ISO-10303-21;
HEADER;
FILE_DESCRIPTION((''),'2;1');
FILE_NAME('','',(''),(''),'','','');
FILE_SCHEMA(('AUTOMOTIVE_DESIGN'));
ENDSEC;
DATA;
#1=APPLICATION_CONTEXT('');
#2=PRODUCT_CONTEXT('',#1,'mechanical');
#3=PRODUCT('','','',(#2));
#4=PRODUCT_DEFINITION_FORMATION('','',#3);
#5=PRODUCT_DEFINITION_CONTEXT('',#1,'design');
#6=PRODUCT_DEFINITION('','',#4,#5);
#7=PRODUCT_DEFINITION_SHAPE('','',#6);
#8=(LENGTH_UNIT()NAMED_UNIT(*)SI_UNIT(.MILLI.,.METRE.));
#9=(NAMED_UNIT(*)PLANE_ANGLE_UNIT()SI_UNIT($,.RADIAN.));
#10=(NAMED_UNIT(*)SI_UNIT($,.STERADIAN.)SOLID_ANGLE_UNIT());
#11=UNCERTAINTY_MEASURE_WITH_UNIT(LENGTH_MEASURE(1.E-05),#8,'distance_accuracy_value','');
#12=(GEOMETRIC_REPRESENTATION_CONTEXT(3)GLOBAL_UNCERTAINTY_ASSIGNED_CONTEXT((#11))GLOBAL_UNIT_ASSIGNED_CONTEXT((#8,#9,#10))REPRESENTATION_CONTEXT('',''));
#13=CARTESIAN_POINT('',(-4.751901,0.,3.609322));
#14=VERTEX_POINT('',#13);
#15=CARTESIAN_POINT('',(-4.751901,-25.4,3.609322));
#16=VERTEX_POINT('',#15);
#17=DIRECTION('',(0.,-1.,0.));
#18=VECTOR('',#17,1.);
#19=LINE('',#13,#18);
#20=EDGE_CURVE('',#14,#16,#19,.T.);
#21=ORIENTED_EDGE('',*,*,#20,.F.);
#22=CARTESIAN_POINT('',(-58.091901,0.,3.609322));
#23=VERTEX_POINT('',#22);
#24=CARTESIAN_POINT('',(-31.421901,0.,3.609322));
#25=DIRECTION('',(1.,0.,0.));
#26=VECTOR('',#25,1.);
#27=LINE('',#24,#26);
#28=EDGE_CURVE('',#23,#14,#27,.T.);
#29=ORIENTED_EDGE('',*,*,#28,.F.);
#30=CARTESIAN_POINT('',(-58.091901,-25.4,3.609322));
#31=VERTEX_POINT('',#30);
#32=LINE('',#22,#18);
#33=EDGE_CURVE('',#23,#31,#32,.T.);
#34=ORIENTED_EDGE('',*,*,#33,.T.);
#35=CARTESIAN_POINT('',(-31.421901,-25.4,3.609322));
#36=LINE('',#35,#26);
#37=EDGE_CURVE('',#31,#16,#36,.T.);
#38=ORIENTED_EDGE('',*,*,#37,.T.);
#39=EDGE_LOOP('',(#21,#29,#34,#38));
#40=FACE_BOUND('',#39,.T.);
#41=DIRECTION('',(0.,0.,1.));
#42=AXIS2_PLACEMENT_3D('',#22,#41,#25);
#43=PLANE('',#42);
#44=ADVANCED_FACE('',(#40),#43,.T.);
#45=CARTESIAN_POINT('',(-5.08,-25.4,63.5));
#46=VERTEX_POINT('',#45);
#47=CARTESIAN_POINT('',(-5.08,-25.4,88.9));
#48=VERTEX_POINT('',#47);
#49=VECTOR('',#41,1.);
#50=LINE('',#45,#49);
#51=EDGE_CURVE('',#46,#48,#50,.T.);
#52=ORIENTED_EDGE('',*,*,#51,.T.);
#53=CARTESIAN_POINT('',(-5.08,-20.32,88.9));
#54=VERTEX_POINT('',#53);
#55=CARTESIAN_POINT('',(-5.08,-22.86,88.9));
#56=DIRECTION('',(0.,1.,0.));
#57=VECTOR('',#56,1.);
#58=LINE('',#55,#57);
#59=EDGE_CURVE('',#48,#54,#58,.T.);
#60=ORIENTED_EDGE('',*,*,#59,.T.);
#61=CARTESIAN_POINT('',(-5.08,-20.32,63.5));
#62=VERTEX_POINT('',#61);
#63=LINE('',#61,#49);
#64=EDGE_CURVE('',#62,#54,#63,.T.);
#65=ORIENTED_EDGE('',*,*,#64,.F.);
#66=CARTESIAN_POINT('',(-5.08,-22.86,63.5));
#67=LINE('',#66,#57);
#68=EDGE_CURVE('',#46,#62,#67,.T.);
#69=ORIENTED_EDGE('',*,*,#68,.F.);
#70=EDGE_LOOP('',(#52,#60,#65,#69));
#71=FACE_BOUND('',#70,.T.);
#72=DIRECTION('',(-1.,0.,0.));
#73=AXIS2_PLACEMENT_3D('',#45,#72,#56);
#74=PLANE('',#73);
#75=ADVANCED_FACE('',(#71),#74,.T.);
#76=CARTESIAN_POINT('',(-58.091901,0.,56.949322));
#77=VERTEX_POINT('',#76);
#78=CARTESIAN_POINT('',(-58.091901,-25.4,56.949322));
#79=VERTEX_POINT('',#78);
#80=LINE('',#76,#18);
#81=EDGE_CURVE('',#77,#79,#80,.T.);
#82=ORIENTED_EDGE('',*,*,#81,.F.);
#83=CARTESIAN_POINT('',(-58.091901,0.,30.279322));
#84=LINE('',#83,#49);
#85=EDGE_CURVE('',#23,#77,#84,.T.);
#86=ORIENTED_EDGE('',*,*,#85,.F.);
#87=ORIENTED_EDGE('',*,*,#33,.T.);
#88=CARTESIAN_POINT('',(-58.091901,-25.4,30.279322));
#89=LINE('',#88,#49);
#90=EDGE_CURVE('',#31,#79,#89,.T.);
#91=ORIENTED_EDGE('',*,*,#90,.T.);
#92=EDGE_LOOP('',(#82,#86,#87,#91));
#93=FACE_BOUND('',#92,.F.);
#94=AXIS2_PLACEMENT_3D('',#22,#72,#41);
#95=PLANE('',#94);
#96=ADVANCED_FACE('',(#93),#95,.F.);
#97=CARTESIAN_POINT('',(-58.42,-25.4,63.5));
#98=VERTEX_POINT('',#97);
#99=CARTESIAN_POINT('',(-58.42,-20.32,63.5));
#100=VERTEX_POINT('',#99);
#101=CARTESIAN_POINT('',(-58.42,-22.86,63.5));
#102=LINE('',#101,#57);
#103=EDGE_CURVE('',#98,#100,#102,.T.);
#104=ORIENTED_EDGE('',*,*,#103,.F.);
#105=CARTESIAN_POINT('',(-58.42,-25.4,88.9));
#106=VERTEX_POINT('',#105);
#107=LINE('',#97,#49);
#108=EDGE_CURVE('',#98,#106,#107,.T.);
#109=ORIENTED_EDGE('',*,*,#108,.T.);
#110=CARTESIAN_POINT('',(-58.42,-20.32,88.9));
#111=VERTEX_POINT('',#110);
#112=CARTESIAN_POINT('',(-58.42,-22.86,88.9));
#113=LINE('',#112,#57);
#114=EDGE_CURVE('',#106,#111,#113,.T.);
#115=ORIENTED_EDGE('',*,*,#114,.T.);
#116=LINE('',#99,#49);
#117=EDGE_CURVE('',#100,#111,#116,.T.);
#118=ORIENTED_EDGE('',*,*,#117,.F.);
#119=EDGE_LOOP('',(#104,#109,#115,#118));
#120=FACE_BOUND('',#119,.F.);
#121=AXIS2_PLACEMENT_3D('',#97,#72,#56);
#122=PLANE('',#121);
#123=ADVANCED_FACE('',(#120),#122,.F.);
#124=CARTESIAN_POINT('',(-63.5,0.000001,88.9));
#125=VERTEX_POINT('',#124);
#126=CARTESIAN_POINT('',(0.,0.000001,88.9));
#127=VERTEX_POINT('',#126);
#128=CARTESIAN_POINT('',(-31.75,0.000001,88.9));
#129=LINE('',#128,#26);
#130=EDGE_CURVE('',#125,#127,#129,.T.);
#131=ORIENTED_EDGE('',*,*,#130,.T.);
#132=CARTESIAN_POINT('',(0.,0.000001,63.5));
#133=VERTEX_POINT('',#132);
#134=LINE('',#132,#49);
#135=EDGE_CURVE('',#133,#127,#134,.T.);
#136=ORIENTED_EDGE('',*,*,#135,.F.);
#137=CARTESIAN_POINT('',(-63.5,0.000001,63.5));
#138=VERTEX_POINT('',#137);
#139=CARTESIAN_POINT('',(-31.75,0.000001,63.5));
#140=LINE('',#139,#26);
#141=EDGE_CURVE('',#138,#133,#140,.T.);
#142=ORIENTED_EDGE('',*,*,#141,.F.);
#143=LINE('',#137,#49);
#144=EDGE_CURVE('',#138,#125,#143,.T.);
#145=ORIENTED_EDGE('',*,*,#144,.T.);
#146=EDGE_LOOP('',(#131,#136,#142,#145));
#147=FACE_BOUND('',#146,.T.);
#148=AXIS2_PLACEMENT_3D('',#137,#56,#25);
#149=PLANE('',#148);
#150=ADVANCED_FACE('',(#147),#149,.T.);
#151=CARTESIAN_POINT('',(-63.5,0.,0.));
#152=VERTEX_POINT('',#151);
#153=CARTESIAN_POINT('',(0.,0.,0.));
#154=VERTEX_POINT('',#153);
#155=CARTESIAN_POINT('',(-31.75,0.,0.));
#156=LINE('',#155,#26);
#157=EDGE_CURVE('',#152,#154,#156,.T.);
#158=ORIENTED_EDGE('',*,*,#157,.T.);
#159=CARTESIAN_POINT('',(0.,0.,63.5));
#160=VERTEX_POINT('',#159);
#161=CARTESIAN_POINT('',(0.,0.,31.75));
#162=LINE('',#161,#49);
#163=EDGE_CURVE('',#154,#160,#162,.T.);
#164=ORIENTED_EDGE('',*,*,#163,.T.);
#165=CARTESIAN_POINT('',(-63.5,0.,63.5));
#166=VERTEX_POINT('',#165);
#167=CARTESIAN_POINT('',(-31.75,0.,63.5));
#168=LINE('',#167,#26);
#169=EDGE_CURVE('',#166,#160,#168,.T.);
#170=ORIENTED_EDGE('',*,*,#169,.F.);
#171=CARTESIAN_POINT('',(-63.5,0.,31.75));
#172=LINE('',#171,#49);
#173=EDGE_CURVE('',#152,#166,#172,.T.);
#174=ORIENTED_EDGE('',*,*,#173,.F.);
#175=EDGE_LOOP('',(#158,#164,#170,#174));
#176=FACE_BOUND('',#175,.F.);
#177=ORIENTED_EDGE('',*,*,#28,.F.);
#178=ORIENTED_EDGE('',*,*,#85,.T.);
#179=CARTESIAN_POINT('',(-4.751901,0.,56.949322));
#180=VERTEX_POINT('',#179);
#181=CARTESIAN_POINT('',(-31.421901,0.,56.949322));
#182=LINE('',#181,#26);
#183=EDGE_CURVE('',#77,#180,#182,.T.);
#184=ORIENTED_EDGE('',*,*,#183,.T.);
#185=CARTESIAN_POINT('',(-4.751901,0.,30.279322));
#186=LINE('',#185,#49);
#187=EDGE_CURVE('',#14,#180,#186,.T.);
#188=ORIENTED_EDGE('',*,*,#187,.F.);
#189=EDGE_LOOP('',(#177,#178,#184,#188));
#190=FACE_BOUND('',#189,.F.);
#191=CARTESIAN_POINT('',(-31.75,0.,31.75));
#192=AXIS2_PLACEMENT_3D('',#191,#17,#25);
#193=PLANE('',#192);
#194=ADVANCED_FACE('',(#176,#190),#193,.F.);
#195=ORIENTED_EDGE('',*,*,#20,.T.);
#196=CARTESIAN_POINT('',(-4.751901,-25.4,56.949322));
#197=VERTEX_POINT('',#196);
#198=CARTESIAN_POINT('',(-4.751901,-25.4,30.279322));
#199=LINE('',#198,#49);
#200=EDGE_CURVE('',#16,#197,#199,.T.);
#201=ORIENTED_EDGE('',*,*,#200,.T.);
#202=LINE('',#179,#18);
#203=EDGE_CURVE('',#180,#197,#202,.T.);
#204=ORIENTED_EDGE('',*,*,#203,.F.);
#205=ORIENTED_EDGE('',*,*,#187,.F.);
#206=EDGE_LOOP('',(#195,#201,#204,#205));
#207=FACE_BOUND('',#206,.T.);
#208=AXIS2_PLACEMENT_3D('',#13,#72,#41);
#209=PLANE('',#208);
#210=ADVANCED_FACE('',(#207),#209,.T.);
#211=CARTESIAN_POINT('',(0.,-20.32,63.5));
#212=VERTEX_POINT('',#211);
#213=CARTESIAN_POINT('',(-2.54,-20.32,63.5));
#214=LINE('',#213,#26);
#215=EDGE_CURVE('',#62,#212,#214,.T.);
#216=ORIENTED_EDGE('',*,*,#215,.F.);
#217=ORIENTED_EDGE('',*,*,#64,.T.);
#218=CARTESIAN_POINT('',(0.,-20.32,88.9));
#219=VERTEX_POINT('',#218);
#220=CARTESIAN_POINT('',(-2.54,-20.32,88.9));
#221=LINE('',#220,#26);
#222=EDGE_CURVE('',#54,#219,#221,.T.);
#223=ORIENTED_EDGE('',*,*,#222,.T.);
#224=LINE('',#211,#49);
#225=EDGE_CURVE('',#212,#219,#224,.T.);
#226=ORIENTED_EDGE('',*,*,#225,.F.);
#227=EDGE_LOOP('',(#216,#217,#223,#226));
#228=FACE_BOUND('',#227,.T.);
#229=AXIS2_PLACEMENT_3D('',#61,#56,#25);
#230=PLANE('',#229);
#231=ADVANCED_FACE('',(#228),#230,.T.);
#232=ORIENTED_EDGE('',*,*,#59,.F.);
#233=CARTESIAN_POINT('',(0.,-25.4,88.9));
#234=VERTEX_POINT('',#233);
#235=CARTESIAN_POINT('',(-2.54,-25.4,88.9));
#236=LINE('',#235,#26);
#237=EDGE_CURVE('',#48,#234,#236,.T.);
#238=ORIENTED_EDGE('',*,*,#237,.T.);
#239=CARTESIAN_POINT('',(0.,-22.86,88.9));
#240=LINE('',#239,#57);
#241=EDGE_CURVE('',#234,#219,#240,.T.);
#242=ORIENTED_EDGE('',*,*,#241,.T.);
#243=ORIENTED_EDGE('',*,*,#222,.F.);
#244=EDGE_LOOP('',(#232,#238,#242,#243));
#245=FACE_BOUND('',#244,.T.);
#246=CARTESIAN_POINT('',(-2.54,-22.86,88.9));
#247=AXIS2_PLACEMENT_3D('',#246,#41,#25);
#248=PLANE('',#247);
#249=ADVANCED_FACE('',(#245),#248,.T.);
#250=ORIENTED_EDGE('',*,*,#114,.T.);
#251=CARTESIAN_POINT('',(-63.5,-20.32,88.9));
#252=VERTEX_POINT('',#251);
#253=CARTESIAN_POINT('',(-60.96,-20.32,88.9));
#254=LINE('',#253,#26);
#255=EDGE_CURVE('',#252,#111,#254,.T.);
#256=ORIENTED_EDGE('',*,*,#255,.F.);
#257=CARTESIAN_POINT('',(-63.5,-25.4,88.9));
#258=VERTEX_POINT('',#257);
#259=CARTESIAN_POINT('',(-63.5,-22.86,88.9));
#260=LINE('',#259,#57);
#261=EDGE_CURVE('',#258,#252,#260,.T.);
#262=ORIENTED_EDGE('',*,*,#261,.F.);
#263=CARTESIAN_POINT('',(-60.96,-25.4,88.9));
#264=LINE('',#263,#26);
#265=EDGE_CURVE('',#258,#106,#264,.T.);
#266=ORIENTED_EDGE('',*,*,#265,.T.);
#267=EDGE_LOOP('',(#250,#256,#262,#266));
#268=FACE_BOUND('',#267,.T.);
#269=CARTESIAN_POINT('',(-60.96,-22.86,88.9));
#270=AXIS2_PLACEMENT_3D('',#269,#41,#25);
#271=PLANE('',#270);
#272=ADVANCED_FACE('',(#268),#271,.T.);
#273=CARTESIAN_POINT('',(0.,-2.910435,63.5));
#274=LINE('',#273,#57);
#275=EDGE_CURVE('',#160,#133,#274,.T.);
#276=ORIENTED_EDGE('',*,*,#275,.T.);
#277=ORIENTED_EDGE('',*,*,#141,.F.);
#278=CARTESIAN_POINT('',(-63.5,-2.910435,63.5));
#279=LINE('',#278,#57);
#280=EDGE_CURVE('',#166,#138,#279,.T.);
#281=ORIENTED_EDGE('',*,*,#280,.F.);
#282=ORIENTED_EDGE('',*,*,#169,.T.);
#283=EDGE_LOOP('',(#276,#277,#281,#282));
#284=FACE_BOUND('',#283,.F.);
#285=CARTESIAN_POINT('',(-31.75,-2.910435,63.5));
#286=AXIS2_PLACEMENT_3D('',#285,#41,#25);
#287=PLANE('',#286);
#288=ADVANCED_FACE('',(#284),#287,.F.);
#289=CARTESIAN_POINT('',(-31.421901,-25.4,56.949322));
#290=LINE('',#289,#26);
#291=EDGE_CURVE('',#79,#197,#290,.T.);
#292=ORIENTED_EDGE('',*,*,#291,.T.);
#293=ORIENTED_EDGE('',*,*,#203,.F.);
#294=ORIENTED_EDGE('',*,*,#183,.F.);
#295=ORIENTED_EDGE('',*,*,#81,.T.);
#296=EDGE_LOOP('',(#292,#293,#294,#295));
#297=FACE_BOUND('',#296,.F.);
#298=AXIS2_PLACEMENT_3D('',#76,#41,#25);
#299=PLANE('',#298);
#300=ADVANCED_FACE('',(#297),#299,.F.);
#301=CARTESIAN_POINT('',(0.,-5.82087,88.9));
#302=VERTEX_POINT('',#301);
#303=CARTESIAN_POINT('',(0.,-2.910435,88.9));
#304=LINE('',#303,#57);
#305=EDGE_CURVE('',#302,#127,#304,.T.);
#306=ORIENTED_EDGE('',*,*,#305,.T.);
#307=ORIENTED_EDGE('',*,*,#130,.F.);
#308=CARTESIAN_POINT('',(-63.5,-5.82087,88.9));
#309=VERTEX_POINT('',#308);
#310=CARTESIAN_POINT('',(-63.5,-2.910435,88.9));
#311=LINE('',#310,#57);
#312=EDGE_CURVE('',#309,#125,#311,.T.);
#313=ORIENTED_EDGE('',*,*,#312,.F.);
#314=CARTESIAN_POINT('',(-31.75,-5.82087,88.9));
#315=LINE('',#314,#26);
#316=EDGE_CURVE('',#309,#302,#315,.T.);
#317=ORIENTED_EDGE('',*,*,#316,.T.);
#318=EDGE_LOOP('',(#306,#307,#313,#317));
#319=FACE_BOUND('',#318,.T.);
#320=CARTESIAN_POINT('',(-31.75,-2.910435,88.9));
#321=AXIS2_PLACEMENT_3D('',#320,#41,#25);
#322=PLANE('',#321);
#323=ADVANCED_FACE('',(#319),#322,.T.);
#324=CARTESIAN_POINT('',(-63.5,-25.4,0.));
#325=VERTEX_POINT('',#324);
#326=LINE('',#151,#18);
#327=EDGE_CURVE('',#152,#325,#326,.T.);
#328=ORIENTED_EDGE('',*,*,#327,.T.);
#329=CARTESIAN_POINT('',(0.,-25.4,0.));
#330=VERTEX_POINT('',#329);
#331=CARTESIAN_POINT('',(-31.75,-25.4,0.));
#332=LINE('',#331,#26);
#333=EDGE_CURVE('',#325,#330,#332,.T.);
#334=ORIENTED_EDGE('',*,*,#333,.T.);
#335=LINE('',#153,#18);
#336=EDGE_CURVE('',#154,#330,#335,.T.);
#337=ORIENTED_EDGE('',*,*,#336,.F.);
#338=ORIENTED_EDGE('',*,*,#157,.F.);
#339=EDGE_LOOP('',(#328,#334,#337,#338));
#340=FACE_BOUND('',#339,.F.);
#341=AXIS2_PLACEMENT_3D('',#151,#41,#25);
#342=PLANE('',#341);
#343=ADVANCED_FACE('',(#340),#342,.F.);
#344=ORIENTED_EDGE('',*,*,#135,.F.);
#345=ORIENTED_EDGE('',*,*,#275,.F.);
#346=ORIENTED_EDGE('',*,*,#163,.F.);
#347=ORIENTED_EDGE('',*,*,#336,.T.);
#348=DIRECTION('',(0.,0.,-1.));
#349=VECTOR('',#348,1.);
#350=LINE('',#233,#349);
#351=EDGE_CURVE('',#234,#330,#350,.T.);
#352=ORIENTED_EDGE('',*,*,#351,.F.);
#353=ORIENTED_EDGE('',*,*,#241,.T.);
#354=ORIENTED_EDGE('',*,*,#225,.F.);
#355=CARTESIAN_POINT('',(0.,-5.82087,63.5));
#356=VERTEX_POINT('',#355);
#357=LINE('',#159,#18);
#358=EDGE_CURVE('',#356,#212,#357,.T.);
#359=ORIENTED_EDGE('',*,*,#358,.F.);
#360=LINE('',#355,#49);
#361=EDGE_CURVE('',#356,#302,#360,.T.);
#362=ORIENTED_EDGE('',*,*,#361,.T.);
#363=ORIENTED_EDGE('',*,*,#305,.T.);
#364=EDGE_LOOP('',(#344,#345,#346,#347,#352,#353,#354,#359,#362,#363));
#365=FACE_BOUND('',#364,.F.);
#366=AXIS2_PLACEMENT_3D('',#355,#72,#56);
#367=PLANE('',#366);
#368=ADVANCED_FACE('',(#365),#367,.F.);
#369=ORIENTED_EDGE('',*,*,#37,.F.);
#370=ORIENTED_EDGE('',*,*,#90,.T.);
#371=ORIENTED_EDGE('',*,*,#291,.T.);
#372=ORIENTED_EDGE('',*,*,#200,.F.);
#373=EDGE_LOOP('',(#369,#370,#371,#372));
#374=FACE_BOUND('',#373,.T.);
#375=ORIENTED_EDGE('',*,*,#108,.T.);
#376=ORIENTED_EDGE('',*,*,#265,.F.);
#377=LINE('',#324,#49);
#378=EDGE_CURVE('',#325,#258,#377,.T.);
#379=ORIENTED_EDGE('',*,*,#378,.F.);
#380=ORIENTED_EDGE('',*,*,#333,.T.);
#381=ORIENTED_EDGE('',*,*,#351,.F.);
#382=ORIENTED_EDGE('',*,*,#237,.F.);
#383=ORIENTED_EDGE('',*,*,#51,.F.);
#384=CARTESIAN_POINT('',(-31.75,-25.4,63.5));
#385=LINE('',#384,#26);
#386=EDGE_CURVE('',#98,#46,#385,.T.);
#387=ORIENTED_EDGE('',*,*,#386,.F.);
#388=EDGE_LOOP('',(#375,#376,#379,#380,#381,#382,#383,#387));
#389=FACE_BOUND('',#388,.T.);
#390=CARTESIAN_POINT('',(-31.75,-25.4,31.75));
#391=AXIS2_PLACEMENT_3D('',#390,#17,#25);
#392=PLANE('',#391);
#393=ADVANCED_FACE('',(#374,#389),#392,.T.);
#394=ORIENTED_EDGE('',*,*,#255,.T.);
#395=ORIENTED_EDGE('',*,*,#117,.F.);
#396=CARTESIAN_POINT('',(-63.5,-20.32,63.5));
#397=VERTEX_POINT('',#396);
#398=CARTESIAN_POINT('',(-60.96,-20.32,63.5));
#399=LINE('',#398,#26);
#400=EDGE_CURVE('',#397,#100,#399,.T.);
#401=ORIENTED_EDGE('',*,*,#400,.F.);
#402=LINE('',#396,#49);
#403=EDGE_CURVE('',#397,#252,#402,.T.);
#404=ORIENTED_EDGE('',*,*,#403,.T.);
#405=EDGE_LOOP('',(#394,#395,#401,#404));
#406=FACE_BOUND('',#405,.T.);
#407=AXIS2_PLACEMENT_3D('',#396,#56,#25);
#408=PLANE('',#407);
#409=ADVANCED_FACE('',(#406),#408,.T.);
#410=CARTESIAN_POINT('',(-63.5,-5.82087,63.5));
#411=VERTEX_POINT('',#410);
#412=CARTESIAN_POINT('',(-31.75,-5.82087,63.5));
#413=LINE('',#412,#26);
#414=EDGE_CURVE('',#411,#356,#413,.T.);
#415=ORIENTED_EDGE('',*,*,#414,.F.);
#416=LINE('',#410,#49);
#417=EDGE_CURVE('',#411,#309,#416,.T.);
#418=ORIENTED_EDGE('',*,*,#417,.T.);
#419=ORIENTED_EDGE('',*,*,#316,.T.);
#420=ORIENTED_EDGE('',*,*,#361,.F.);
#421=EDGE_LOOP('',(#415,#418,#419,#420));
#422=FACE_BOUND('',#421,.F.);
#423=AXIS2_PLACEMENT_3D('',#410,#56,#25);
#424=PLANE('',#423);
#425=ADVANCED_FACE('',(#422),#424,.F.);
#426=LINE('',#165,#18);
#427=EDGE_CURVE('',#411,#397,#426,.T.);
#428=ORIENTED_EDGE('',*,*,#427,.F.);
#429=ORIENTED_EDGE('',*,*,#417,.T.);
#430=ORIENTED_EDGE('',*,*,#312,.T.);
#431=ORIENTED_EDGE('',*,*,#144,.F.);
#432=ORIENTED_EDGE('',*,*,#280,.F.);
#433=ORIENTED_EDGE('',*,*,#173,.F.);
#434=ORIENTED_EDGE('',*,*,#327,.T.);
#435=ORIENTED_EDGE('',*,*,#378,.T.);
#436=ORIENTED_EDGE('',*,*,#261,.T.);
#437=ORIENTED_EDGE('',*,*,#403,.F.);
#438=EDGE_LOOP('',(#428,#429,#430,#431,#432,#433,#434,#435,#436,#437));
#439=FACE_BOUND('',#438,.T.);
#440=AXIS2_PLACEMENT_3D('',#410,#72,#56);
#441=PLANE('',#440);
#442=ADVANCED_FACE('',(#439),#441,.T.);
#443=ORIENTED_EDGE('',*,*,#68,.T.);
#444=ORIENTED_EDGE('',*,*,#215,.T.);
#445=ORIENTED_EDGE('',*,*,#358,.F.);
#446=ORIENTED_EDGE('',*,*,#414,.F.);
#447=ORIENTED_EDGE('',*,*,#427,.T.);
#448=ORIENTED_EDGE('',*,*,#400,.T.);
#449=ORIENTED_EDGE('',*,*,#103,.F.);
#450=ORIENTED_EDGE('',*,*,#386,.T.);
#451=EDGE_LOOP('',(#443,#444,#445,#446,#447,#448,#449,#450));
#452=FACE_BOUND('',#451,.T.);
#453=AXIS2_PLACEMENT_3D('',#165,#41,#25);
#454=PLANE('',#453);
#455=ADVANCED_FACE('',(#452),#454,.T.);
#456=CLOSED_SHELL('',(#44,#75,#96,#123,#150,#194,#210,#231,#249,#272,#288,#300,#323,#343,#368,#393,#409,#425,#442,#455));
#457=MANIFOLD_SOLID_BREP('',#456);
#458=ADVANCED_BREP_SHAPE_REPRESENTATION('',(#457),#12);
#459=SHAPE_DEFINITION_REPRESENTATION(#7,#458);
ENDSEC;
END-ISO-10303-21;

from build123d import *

# Parameters (mm, degrees)
F1_W     = 63.5
F1_H     = 63.5
F1_W_2   = 53.34
F1_H_2   = 53.34
F2_DEPTH = 25.4
F3_W     = 63.5
F3_H     = 5.820871
F3_W_2   = 5.08
F3_H_2   = 5.08
F4_DEPTH = 25.4


with BuildPart() as f2:
    # F1 (on face) → F2 (new body)
    with BuildSketch(Plane.XZ):
        with Locations((-31.75, 31.75)):
            Rectangle(F1_W, F1_H)
        with Locations((-31.421901, 30.279322)):
            Rectangle(F1_W_2, F1_H_2, mode=Mode.SUBTRACT)
    extrude(amount=F2_DEPTH)

    # F3 (on face) → F4 (join)
    with BuildSketch(Plane.XY.offset(63.5)):
        with Locations((-31.75, -2.910435)):
            Rectangle(F3_W, F3_H)
        with Locations((-60.96, -22.86)):
            Rectangle(F3_W_2, F3_H_2)
        with Locations((-2.54, -22.86)):
            Rectangle(F3_W_2, F3_H_2)
    extrude(amount=F4_DEPTH)


solid = f2.part
